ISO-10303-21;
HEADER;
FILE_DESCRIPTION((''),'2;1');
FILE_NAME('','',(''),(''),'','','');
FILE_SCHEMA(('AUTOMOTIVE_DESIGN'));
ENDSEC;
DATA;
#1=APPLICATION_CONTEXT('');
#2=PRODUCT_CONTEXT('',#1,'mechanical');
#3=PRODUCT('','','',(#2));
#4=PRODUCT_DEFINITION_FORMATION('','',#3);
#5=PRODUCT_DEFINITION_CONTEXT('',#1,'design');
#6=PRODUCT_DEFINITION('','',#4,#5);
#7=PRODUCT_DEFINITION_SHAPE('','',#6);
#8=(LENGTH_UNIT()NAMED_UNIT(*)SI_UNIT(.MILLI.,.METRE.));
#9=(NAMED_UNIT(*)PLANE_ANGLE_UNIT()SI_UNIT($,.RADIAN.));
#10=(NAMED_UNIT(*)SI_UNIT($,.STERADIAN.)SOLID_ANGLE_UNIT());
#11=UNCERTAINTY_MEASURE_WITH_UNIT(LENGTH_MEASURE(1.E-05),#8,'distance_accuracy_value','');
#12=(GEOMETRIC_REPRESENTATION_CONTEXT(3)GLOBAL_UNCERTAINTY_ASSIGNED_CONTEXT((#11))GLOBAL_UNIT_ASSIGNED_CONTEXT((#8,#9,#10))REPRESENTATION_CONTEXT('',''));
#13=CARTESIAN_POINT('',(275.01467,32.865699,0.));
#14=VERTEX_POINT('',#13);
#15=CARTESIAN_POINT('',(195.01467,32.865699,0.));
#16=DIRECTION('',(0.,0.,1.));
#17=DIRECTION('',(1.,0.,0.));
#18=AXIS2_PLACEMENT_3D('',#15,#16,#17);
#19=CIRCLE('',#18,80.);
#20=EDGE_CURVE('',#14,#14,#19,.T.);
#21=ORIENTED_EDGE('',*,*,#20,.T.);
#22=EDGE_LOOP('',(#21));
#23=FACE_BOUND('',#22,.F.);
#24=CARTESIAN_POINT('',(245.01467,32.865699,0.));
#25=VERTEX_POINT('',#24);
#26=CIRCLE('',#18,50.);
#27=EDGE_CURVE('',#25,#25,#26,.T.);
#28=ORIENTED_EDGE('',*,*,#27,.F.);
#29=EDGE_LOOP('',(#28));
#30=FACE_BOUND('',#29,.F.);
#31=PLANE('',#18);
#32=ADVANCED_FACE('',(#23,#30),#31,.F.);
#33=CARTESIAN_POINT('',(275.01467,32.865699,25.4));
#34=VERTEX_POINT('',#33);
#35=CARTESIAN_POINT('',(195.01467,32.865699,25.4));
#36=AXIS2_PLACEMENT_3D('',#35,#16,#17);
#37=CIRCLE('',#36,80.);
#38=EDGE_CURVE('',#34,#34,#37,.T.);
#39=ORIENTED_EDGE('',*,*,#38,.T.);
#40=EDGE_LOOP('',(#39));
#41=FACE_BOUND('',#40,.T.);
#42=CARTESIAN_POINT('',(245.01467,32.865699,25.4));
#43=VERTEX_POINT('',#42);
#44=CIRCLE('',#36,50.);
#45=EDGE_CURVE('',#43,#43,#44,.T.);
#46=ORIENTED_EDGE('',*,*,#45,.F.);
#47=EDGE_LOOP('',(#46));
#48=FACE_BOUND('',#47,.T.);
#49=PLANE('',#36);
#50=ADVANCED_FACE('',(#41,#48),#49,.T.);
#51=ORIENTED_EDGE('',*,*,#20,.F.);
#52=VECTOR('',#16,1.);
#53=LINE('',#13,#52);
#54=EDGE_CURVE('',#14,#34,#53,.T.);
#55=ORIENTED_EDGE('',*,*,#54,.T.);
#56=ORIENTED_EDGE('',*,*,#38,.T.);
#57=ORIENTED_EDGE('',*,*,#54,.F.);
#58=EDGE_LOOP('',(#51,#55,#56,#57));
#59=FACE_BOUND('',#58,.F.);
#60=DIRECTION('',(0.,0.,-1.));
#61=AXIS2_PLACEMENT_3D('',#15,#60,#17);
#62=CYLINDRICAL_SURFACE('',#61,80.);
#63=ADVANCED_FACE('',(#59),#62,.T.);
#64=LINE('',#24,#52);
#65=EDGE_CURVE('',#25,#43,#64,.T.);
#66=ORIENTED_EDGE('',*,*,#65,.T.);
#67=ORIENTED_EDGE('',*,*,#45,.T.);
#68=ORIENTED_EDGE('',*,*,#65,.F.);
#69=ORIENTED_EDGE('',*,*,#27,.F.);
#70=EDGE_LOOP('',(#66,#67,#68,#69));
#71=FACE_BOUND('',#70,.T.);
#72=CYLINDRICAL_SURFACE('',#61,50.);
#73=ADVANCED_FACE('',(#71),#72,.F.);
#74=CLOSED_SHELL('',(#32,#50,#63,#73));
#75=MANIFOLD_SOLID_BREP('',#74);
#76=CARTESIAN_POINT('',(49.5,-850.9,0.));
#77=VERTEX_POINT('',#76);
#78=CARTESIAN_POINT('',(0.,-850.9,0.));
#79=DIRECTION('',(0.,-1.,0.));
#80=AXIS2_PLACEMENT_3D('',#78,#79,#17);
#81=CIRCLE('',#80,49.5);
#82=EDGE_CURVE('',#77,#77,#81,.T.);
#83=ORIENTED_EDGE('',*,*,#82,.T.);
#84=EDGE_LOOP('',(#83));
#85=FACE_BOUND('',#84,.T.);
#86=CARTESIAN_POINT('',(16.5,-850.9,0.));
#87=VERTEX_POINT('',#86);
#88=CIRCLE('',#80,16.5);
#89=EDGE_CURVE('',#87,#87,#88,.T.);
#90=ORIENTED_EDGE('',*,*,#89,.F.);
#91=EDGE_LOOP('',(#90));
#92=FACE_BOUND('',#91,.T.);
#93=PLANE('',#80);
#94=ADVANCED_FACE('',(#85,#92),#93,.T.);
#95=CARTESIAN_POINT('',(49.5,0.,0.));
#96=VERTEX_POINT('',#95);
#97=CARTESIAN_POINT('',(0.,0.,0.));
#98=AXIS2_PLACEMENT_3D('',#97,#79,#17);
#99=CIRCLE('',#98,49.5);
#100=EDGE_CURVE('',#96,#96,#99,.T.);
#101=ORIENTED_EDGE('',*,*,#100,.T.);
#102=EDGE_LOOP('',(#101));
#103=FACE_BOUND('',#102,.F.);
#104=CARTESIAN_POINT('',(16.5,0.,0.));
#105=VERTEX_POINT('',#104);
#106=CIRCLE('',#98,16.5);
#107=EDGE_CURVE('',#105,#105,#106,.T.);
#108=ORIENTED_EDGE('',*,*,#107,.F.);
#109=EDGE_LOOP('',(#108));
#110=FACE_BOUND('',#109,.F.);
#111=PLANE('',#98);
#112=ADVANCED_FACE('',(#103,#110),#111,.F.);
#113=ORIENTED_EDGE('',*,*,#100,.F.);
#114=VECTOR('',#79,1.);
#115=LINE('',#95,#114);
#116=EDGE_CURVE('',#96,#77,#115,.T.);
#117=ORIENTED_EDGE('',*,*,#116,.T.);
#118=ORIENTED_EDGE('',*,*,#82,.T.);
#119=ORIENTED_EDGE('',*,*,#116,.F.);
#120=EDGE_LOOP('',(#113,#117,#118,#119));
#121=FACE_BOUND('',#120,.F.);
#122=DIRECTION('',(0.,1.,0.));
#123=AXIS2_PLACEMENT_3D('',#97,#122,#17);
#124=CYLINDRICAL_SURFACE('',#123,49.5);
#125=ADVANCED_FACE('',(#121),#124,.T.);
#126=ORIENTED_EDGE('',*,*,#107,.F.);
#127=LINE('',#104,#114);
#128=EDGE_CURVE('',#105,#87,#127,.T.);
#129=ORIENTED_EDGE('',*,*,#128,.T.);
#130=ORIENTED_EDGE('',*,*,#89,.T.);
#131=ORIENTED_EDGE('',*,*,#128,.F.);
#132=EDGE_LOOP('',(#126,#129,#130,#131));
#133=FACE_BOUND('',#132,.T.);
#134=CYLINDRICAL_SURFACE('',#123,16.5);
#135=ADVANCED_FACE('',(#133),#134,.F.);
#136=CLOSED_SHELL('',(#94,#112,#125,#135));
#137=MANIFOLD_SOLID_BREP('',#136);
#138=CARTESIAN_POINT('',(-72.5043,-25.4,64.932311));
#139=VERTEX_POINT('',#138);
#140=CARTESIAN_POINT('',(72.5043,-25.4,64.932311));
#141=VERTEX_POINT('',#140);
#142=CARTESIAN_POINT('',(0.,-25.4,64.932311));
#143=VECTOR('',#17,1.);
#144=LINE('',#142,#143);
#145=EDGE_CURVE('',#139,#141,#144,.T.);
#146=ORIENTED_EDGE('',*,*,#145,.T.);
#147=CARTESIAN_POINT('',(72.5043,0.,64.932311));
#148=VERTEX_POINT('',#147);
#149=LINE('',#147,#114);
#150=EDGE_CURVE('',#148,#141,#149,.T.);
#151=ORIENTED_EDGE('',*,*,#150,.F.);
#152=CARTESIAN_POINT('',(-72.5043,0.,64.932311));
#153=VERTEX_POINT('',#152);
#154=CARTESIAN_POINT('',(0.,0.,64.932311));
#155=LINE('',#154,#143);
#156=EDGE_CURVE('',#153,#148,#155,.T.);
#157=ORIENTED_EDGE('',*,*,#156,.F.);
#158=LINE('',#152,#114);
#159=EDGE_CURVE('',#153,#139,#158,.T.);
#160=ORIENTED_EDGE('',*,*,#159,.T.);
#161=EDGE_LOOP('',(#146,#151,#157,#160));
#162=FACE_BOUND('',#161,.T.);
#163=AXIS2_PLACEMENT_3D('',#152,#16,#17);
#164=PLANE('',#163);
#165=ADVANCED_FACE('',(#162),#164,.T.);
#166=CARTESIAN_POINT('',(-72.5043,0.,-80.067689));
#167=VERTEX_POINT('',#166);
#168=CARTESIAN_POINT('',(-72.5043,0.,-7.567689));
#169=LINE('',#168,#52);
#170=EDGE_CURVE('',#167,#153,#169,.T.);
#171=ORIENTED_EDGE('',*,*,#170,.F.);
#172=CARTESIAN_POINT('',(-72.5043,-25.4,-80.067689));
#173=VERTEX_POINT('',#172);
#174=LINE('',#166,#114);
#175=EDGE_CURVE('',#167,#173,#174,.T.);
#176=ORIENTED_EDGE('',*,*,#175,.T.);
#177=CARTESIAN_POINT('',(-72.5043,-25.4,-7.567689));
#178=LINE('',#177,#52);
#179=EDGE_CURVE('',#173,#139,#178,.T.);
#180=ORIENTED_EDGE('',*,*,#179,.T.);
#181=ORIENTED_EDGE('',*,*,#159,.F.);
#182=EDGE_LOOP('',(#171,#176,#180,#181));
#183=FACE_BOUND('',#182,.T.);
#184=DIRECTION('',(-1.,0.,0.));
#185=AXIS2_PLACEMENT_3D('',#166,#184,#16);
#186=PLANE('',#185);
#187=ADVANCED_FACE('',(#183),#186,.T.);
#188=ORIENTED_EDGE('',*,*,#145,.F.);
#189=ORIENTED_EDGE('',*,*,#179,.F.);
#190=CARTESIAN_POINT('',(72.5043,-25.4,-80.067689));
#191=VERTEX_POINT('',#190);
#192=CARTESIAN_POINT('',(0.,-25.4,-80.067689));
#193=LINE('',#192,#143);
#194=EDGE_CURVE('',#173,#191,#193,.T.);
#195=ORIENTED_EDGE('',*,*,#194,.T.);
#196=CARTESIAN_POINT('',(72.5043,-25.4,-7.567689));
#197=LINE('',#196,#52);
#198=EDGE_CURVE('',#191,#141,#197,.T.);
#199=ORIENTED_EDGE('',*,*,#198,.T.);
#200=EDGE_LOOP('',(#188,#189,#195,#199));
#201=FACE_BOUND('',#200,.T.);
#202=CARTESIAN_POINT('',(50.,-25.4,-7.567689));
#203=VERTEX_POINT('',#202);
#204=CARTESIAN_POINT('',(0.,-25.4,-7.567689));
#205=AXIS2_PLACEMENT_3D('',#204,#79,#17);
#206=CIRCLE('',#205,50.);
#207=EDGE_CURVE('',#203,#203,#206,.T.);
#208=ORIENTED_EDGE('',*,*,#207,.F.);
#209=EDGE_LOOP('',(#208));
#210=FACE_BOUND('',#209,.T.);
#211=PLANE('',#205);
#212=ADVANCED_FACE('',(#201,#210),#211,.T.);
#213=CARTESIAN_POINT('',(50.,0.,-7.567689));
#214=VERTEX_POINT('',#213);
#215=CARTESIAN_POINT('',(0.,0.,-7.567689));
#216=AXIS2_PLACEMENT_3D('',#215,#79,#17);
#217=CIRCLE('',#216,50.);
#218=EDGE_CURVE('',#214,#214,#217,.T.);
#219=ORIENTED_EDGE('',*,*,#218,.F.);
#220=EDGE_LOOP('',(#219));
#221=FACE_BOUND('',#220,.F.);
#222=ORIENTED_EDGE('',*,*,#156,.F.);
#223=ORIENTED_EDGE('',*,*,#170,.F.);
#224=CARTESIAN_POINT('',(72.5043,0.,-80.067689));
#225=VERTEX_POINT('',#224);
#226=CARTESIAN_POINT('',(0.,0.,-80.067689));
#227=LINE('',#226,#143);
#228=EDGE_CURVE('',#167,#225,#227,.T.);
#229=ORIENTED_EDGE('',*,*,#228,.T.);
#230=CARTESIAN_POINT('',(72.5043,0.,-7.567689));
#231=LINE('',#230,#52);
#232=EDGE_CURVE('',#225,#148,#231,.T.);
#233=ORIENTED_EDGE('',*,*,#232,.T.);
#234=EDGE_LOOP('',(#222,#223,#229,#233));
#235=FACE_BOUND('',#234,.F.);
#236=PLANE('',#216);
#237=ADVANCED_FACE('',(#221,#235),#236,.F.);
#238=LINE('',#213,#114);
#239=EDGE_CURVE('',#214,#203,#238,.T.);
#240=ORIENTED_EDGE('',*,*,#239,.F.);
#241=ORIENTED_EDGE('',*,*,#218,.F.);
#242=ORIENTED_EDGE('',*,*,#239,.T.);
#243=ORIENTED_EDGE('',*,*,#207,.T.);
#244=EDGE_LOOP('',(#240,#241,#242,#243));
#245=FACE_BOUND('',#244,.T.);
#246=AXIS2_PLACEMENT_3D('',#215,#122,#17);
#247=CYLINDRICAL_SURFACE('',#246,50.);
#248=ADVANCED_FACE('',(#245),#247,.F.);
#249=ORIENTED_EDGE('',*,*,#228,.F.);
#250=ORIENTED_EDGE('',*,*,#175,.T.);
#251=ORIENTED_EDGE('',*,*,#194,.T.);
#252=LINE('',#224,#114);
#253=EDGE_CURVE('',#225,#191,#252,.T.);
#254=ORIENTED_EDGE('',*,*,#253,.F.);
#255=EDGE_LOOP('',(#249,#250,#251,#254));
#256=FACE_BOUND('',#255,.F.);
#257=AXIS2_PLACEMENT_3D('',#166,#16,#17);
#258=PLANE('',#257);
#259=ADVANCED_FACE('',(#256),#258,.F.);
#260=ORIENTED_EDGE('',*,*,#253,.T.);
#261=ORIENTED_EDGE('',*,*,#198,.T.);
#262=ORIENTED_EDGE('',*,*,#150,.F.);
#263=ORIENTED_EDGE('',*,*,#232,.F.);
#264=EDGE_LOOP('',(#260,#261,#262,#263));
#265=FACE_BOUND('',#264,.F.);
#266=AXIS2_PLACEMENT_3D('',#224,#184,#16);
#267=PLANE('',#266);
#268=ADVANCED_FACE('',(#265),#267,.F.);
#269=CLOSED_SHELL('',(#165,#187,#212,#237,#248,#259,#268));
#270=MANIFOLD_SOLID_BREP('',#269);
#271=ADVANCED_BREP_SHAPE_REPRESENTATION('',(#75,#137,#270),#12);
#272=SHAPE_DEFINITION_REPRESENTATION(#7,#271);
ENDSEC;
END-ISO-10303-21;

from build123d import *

# Parameters (mm, degrees)
F0_R     = 49.5
F0_R_2   = 16.5
F1_DEPTH = 850.9
F2_R     = 80
F2_R_2   = 50
F4_DEPTH = 25.4
F3_W     = 145.0086
F3_H     = 145
F3_R     = 50
F5_DEPTH = 25.4


with BuildPart() as f1:
    # F0 (on Front) → F1 (new body)
    with BuildSketch(Plane.XZ):
        Circle(F0_R)
        Circle(F0_R_2, mode=Mode.SUBTRACT)
    extrude(amount=F1_DEPTH)


with BuildPart() as f4:
    # F2 (on Top) → F4 (new body)
    with BuildSketch(Plane.XY):
        with Locations((195.01467, 32.865699)):
            Circle(F2_R)
        with Locations((195.01467, 32.865699)):
            Circle(F2_R_2, mode=Mode.SUBTRACT)
    extrude(amount=F4_DEPTH)


with BuildPart() as f5:
    # F3 (on Front) → F5 (new body)
    with BuildSketch(Plane.XZ):
        with Locations((0, -7.567689)):
            Rectangle(F3_W, F3_H)
        with Locations((0, -7.567689)):
            Circle(F3_R, mode=Mode.SUBTRACT)
    extrude(amount=F5_DEPTH)


solid = Compound([f1.part, f4.part, f5.part])
